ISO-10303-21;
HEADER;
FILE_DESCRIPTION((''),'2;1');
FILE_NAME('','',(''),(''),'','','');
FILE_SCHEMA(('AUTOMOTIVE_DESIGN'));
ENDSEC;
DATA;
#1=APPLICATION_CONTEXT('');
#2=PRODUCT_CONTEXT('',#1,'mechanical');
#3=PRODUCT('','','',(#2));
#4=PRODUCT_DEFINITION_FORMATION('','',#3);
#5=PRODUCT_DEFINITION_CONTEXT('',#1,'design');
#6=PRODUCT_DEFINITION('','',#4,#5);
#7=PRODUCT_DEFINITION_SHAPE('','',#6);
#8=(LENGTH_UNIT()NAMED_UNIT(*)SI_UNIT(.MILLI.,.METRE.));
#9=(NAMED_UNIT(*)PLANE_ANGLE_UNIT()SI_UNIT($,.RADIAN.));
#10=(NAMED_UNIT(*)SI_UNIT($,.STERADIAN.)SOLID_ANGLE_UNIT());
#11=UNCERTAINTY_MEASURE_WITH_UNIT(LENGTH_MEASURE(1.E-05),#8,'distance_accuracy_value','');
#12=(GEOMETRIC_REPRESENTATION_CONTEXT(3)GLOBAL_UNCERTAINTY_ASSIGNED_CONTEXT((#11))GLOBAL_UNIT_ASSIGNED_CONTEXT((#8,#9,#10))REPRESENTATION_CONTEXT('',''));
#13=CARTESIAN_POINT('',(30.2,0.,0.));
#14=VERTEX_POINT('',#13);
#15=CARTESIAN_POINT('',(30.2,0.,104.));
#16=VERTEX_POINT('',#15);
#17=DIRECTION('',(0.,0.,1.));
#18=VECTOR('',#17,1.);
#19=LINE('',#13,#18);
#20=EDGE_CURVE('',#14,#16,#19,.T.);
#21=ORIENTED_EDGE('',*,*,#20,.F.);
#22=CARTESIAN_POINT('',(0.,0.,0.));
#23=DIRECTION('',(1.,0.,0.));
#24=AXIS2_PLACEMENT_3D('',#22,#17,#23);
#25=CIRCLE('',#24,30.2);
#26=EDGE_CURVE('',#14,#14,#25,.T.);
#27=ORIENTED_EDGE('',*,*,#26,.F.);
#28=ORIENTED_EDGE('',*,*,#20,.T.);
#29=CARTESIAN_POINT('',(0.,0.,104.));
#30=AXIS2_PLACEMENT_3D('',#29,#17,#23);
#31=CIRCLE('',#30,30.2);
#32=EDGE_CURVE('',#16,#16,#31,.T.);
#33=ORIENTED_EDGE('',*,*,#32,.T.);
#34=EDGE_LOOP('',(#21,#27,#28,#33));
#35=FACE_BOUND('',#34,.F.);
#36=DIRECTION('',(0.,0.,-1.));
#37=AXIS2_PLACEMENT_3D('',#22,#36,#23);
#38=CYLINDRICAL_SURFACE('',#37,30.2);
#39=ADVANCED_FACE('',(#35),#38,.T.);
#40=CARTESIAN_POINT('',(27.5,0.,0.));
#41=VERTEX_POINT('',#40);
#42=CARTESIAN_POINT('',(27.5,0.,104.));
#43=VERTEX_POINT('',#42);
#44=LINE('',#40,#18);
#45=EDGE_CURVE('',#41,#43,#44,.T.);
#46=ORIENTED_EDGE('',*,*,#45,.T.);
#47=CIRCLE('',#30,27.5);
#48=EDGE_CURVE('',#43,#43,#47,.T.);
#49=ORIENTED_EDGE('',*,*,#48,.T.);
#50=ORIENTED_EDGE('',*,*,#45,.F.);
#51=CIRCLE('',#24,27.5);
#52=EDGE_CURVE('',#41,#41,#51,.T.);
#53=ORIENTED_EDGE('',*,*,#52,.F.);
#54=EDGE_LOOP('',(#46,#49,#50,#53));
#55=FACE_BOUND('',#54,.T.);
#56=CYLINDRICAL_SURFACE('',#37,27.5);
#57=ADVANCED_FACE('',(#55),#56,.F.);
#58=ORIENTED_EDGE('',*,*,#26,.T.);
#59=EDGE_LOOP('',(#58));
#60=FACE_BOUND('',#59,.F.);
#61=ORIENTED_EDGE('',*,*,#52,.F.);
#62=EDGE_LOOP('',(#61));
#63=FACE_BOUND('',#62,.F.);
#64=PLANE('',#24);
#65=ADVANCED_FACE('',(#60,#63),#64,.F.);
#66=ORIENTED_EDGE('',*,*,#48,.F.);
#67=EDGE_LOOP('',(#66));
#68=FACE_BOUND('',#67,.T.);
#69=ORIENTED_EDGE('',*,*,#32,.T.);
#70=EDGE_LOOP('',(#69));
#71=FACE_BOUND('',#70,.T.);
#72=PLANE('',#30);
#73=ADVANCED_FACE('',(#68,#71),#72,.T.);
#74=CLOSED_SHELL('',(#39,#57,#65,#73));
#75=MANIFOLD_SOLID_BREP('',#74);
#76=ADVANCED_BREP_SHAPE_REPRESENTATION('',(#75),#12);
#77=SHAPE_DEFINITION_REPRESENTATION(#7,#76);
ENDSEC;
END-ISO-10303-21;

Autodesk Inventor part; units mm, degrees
ref_plane "YZ Plane" through (0, 0, 0) normal (1, 0, 0) x (0, 1, 0)
ref_plane "XZ Plane" through (0, 0, 0) normal (0, 1, 0) x (-1, 0, 0)
ref_plane "XY Plane" through (0, 0, 0) normal (0, 0, 1) x (1, 0, 0)
sketch "Sketch1" plane through (0, 0, 0) normal (0, 0, 1) x (1, 0, 0)
  circle A0 centre (0, 0) radius 30.2
  circle A1 centre (0, 0) radius 27.5
  dimension "d0" = 60.4
  dimension "d4" = 2.7
extrude "Extrusion2" add sketch "Sketch1" along normal blind 104
properties part number "BearingHousing_Pipe" material "Aluminum 6061"
